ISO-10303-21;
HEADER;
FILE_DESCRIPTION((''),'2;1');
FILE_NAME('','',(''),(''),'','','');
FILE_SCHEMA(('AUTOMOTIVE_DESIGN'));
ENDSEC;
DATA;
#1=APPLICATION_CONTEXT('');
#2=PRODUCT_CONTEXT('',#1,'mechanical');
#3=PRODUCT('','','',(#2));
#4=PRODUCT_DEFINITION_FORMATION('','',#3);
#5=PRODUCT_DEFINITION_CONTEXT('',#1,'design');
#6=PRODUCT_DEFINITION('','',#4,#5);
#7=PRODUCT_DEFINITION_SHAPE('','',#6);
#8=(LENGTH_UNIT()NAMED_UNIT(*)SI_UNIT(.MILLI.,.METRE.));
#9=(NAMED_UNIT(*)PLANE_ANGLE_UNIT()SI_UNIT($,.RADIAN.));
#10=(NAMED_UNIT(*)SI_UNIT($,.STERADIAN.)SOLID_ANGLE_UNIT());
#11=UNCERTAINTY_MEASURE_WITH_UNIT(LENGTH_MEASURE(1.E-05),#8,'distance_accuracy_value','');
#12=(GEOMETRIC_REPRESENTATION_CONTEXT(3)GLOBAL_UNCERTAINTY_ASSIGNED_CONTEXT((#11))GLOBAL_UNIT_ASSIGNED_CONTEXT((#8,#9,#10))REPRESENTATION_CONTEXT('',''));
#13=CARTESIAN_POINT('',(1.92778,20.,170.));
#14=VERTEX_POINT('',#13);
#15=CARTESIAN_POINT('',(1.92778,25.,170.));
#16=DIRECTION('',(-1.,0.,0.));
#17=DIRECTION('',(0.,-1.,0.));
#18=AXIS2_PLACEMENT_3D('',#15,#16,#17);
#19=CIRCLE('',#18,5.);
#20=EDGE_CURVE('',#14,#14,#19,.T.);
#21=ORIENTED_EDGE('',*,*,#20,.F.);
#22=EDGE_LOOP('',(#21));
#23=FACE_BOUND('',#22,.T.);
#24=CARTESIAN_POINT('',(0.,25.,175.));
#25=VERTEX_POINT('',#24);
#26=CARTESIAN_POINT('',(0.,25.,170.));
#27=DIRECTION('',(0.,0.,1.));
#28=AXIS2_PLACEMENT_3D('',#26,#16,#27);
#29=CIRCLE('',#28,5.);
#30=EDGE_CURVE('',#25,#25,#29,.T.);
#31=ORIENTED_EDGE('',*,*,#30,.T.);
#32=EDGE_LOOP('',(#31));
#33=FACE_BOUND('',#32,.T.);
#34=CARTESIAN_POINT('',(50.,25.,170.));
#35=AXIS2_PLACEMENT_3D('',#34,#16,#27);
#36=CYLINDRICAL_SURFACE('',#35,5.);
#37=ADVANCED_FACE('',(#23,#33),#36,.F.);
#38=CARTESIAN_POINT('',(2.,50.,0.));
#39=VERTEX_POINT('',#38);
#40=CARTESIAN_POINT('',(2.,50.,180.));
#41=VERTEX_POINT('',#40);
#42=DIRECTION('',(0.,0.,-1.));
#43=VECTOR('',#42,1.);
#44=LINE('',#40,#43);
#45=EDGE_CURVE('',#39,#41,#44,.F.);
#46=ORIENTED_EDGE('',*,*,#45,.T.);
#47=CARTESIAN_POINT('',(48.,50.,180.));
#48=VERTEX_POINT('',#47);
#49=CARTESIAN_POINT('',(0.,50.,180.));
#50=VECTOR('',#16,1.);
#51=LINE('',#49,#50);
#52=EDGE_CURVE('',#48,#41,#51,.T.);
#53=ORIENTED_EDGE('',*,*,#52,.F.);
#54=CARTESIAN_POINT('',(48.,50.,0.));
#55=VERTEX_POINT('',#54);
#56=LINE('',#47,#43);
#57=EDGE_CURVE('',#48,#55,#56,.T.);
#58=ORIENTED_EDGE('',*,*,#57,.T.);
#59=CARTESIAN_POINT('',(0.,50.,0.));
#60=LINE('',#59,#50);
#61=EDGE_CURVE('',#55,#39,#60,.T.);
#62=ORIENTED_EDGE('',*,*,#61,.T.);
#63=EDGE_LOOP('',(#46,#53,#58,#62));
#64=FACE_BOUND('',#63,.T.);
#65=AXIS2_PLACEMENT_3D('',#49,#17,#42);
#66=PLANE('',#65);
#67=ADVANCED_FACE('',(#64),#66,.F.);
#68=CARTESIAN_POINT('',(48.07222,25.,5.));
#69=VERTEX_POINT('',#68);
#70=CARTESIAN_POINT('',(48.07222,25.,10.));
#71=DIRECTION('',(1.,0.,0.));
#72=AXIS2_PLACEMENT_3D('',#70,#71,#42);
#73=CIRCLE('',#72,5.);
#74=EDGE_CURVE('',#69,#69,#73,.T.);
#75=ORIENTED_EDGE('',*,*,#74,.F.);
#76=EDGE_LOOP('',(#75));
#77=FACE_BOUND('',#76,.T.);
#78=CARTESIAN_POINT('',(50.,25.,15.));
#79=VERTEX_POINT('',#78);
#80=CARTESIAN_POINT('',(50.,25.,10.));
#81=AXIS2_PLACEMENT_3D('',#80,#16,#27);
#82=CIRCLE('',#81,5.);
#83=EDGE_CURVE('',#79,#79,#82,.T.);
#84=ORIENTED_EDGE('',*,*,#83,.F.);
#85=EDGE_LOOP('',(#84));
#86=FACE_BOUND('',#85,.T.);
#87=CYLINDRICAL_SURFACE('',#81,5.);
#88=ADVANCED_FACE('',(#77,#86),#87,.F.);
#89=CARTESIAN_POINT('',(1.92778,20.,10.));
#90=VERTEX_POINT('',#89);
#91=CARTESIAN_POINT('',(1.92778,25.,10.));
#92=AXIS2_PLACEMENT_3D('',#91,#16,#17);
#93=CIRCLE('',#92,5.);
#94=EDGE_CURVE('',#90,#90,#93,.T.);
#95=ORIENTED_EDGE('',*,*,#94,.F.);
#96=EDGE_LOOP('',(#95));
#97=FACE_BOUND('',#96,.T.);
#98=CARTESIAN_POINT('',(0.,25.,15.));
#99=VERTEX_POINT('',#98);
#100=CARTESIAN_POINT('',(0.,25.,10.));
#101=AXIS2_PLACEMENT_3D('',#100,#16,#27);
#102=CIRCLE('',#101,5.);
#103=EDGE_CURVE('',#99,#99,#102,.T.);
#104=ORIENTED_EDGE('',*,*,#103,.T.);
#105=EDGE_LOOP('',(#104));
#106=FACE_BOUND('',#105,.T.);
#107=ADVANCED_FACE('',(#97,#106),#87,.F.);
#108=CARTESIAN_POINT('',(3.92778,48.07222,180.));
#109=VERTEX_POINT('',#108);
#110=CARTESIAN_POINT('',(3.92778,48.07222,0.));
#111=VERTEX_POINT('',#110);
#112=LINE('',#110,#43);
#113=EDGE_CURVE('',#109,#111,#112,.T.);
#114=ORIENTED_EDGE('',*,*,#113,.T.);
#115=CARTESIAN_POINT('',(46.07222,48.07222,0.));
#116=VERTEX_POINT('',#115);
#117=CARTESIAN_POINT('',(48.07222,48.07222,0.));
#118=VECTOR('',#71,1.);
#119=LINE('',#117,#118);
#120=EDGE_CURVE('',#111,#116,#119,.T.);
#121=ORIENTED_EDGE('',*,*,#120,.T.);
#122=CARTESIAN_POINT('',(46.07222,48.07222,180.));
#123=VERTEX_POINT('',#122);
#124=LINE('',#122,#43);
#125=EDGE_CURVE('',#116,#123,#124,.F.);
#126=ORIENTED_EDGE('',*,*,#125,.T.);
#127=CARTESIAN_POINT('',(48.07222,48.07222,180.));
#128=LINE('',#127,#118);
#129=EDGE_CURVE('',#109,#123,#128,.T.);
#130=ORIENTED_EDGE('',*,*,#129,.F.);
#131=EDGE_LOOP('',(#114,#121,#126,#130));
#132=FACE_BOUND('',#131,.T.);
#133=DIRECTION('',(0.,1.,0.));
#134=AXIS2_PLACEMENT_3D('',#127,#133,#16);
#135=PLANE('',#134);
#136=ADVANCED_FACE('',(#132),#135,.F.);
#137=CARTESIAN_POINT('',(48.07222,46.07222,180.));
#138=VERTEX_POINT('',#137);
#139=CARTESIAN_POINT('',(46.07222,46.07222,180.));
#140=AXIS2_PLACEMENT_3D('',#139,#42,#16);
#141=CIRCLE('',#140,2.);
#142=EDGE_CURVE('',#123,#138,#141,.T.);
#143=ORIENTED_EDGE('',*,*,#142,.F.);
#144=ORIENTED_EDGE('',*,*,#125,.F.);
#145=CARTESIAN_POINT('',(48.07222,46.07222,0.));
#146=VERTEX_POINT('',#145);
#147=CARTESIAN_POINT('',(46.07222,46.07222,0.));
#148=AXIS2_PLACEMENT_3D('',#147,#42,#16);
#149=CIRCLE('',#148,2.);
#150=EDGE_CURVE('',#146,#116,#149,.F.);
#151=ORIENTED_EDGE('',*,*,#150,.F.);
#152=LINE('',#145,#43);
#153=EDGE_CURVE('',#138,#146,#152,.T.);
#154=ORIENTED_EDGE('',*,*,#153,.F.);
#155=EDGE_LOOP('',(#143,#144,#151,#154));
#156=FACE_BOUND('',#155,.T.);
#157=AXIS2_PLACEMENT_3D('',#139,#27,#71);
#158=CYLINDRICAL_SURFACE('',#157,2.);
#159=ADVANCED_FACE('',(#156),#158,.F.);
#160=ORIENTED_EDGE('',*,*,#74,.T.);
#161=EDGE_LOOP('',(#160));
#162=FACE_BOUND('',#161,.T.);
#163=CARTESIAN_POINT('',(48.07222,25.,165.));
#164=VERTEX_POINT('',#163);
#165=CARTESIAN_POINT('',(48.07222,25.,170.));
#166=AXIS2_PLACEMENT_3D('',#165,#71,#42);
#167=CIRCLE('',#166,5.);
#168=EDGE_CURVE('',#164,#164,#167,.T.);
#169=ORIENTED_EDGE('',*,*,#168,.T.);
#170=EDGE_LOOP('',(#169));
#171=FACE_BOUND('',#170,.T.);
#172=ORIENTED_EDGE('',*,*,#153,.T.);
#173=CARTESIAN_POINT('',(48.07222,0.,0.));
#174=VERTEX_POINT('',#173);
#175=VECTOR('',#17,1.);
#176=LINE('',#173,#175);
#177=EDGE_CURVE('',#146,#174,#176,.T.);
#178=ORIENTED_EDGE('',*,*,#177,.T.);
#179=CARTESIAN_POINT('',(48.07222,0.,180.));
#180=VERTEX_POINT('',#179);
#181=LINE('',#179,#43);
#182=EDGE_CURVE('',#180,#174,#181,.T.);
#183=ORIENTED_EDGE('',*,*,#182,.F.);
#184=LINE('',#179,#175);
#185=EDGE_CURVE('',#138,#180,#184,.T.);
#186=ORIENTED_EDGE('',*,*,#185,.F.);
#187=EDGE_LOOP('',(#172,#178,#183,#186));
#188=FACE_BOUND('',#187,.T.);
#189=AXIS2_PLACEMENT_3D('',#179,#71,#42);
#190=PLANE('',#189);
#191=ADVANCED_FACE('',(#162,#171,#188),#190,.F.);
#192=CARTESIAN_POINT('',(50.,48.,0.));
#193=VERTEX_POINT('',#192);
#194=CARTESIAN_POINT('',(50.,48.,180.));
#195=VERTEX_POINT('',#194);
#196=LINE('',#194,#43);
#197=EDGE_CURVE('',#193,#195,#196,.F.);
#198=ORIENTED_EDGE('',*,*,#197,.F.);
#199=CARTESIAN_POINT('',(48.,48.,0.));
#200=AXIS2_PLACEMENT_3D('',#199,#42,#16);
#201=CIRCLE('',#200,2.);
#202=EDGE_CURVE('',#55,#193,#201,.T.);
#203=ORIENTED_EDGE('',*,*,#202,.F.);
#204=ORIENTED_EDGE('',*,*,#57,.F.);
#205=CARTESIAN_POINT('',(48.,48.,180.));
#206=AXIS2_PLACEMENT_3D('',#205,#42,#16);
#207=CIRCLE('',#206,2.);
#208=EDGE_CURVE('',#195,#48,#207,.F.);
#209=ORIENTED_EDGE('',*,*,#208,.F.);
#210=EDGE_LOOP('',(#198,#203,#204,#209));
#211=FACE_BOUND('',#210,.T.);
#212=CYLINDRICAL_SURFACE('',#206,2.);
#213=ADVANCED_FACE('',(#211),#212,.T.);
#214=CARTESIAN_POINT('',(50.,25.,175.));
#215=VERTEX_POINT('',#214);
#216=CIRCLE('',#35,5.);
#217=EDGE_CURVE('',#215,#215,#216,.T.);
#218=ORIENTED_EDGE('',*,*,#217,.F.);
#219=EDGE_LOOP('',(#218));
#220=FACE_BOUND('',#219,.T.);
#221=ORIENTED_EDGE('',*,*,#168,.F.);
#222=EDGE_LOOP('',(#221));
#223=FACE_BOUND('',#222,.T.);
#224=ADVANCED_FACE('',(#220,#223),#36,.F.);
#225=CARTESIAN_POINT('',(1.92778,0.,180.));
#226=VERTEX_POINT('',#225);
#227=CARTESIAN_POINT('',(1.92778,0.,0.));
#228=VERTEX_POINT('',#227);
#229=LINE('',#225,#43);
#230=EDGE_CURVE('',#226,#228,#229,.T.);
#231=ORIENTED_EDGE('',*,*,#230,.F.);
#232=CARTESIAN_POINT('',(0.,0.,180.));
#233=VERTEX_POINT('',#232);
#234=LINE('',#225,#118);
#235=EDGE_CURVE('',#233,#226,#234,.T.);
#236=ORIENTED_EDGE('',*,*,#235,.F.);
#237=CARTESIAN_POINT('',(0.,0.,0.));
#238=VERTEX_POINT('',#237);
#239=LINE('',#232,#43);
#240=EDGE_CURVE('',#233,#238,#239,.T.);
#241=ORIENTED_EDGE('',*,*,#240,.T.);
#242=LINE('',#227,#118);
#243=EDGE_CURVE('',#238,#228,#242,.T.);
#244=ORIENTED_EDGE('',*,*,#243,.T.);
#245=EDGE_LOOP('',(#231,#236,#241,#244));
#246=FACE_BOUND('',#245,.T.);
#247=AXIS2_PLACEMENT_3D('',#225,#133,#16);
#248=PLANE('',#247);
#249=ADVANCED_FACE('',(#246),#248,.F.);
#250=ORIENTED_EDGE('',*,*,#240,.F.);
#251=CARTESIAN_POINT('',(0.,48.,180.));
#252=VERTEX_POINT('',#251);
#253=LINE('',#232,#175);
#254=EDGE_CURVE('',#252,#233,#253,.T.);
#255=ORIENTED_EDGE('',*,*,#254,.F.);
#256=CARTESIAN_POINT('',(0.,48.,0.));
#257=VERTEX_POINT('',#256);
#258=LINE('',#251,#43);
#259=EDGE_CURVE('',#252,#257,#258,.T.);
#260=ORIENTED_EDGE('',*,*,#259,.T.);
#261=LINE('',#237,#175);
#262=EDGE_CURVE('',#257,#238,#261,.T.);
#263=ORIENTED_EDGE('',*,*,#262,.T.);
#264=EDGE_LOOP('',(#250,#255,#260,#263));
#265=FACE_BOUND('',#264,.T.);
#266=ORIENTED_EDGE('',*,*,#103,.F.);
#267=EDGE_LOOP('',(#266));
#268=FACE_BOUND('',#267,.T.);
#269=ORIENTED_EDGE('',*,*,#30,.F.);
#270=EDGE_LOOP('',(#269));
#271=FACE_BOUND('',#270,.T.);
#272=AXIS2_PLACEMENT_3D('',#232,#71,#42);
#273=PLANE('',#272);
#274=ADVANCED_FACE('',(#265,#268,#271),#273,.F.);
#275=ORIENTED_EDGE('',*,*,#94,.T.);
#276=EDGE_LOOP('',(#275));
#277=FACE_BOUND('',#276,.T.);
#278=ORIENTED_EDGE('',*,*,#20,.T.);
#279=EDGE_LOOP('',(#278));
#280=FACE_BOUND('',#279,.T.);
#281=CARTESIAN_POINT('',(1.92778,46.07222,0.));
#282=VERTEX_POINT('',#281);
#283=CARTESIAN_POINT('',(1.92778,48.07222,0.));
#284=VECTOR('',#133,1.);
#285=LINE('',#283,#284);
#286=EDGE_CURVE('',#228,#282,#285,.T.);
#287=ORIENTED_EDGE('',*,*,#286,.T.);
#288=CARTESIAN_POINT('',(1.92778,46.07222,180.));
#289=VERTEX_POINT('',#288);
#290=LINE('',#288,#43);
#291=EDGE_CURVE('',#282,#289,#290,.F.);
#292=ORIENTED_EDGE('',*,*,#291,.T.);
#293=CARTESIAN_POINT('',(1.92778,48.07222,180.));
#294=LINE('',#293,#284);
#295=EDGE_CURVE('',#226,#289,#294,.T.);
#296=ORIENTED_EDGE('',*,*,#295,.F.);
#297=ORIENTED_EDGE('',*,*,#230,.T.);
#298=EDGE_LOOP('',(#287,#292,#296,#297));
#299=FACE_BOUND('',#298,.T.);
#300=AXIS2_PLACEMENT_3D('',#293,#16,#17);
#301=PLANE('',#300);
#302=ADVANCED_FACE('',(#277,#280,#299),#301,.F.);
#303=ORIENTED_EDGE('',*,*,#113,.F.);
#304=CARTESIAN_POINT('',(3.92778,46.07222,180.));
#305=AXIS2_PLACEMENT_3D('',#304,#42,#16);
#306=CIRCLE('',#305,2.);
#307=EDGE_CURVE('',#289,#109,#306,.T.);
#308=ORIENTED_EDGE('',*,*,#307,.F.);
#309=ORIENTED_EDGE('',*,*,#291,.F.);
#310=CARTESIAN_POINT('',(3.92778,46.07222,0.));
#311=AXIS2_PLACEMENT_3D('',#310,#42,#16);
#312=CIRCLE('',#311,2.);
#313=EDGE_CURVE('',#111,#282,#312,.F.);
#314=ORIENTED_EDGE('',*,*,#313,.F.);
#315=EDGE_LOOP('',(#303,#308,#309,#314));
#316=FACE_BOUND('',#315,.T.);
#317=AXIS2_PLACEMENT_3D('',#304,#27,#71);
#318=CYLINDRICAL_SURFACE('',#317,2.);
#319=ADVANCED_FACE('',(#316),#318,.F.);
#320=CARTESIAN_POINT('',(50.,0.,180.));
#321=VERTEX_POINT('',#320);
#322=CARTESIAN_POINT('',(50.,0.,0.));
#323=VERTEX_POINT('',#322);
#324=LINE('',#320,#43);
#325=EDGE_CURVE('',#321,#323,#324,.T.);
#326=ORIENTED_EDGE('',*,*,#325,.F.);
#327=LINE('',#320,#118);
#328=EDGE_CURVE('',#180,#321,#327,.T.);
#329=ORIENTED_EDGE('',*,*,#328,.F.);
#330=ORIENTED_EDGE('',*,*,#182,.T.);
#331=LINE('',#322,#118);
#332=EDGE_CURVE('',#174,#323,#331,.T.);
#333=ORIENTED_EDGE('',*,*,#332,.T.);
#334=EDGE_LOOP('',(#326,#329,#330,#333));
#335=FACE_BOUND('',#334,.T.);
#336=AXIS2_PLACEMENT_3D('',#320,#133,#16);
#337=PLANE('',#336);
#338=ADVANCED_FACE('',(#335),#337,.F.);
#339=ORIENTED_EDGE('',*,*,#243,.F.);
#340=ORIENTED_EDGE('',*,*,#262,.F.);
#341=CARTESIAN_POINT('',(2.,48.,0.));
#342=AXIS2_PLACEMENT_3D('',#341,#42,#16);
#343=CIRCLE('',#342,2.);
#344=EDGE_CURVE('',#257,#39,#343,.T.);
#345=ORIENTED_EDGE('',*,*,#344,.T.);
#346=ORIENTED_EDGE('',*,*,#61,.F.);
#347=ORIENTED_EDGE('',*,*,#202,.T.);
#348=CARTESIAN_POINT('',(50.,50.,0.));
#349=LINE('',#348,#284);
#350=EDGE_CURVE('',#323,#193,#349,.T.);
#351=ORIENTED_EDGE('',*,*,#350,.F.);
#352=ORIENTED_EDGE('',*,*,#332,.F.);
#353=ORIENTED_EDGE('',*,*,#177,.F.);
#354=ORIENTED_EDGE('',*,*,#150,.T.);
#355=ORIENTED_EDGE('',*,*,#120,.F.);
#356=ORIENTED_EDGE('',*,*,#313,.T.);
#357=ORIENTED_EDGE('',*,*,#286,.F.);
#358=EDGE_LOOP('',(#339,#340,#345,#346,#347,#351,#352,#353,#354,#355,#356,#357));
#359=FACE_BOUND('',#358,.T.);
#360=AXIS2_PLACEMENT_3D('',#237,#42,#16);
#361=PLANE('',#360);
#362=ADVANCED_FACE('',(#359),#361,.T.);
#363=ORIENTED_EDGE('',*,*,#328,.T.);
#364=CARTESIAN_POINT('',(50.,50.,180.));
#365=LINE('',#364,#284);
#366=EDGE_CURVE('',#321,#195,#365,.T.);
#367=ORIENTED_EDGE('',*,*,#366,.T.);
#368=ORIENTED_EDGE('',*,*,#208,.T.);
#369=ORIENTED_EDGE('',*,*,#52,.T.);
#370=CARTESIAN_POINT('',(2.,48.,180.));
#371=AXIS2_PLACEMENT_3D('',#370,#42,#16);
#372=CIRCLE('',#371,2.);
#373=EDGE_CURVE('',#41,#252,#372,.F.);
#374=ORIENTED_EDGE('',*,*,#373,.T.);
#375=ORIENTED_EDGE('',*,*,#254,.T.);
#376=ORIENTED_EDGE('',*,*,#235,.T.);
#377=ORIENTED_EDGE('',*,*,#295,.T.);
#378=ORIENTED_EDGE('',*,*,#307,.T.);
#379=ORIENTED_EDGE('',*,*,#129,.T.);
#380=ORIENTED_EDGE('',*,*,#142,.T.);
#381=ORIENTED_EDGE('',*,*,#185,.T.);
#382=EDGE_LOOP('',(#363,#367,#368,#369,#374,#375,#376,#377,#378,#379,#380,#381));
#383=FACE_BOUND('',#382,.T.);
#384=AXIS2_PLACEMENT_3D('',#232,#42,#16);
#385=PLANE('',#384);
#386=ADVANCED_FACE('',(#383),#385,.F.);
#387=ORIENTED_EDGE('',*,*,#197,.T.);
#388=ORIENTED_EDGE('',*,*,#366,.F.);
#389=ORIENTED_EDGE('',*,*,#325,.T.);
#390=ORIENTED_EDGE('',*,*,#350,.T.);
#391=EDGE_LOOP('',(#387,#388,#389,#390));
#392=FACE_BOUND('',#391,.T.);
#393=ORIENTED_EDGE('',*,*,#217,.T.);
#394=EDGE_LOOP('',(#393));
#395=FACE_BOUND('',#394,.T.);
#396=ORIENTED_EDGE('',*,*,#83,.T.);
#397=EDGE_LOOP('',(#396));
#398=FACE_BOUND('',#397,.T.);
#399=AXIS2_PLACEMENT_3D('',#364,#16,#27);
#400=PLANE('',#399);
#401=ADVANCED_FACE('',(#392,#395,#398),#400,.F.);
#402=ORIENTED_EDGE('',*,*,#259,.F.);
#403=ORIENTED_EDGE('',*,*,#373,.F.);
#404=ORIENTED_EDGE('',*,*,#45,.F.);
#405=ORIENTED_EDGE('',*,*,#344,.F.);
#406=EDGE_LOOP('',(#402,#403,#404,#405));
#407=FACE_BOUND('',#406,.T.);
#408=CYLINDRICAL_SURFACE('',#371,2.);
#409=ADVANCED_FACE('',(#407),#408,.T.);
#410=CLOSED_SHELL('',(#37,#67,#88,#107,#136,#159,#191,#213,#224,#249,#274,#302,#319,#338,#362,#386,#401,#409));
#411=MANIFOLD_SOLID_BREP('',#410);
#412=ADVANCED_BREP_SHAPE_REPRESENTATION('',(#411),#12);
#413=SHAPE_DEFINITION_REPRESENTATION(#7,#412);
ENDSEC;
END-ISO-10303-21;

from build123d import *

# Parameters (mm, degrees)
BOSS_EXTRUDE1_DEPTH = 180
SKETCH2_R           = 5
CUT_EXTRUDE1_DEPTH  = 194.390796058
FILLET1_R           = 2


with BuildPart() as part:
    # Sketch1 → Boss-Extrude1 (new body)
    with BuildSketch(Plane.XY):
        Polygon((0, 0), (0, 50), (50, 50), (50, 0), (48.07222, 0), (48.07222, 48.07222), (1.92778, 48.07222), (1.92778, 0), align=None)
    extrude(amount=BOSS_EXTRUDE1_DEPTH)

    # Sketch2 → Cut-Extrude1 (cut, through all)
    with BuildSketch(Plane.ZY):
        with Locations((10, 25)):
            Circle(SKETCH2_R)
        with Locations((170, 25)):
            Circle(SKETCH2_R)
    extrude(amount=-CUT_EXTRUDE1_DEPTH, mode=Mode.SUBTRACT)

    # Fillet1
    fillet1_edges = [part.edges().sort_by_distance(p)[0] for p in [
        (0, 50, 90),
        (50, 50, 90),
        (48.07222, 48.07222, 90),
        (1.92778, 48.07222, 90),
    ]]
    fillet(fillet1_edges, radius=FILLET1_R)


solid = part.part
